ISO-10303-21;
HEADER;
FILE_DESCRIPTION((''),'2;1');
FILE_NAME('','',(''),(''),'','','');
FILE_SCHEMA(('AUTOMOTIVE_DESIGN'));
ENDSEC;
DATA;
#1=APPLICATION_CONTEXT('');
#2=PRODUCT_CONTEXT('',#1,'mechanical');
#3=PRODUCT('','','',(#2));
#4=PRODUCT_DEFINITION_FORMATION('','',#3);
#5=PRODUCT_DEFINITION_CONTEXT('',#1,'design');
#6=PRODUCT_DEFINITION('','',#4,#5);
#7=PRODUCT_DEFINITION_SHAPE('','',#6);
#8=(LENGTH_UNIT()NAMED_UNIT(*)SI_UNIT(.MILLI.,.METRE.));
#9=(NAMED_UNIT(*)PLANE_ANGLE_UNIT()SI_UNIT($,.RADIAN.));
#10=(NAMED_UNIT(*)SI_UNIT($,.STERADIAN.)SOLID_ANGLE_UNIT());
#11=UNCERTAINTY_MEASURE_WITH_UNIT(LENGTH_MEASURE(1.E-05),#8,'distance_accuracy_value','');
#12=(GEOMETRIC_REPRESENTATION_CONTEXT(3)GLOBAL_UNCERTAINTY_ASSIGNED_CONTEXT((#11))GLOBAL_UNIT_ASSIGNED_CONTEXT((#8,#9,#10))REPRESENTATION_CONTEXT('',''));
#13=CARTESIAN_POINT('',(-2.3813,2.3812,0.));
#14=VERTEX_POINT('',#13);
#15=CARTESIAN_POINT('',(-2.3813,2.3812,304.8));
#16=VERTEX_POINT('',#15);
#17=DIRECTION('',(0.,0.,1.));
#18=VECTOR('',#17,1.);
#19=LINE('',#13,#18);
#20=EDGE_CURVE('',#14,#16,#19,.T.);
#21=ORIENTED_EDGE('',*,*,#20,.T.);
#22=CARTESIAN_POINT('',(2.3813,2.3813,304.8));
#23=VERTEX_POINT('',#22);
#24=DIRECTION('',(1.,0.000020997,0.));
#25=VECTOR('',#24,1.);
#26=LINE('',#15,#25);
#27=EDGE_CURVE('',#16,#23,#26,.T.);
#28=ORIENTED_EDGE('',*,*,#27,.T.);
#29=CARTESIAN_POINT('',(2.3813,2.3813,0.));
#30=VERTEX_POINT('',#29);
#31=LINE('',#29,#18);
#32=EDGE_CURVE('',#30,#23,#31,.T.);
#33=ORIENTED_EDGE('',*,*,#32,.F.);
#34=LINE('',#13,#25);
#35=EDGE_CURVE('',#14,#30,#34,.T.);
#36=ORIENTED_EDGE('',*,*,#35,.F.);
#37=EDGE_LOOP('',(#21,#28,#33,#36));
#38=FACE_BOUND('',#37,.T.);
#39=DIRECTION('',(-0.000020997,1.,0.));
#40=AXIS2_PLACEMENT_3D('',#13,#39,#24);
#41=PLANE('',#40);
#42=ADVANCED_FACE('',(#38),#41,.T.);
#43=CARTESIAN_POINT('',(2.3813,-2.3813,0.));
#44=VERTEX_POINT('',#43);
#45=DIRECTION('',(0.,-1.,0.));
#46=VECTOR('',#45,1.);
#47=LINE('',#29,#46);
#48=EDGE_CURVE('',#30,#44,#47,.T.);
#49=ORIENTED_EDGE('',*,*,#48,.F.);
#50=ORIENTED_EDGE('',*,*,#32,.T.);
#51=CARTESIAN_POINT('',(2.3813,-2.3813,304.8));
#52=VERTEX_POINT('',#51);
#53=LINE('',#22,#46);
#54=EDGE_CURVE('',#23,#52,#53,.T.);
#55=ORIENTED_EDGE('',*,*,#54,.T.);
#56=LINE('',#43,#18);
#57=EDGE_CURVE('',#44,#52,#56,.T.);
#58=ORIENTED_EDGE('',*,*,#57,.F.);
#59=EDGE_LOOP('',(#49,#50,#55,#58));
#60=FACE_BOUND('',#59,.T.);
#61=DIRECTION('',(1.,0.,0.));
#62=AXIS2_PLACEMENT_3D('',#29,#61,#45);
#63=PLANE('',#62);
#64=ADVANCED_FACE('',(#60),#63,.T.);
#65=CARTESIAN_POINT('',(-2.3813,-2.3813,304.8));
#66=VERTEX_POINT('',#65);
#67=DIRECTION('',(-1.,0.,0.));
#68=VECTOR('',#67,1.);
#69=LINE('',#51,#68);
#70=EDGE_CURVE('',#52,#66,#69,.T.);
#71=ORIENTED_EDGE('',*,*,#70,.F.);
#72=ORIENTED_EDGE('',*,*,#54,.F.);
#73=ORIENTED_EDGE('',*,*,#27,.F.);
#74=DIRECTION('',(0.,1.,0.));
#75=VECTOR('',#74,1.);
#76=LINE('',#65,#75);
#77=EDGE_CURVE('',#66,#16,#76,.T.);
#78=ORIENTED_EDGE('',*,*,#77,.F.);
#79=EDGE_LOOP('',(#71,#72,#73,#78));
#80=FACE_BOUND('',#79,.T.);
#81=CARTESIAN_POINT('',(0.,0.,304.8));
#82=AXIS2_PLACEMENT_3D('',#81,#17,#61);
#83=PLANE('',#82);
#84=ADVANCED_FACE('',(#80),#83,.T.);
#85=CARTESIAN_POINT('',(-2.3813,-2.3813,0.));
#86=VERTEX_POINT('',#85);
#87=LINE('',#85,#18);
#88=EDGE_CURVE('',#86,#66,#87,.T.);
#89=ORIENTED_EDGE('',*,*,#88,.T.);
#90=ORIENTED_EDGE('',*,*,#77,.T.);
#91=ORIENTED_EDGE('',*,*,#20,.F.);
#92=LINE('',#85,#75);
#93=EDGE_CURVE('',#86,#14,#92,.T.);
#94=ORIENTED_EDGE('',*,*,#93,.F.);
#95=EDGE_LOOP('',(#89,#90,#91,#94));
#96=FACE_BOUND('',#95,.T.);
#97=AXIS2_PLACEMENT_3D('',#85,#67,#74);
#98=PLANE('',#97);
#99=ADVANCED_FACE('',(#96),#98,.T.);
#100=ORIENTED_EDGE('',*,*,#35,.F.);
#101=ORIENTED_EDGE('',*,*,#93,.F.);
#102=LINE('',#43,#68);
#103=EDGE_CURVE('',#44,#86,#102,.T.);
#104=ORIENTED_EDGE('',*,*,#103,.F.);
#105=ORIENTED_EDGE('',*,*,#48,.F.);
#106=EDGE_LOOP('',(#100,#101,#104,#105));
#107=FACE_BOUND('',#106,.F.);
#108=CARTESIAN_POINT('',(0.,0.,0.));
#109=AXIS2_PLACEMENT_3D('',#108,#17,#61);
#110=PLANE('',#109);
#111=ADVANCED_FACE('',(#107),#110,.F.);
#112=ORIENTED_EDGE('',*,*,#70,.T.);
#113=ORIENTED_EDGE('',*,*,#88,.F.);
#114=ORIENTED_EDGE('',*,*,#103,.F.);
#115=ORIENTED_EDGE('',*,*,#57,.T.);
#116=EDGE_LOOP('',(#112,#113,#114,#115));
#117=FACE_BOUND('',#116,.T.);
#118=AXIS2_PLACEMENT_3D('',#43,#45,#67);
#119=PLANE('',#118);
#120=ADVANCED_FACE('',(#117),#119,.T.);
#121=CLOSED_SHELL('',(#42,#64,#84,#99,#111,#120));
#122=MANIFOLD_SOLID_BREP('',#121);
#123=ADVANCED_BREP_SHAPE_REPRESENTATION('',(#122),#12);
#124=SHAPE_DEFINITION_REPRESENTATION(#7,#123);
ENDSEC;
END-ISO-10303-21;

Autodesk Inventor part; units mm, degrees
ref_plane "YZ Plane" through (0, 0, 0) normal (1, 0, 0) x (0, 1, 0)
ref_plane "XZ Plane" through (0, 0, 0) normal (0, 1, 0) x (-1, 0, 0)
ref_plane "XY Plane" through (0, 0, 0) normal (0, 0, 1) x (1, 0, 0)
sketch "Sketch1" plane through (0, 0, 0) normal (0, 0, 1) x (1, 0, 0)
  line L0 (2.3813, -2.3813) -> (-2.3813, -2.3813)
  line L1 (-2.3813, -2.3813) -> (-2.3813, 2.3812)
  line L2 (-2.3813, 2.3812) -> (2.3813, 2.3813)
  line L3 (2.3813, 2.3813) -> (2.3813, -2.3813)
  line L4 (2.3813, -2.3813) -> (-2.3813, 2.3812) construction
  line L5 (-2.3813, -2.3813) -> (2.3813, 2.3813) construction
  point P0 (0, 0)
  dimension "d0" = 4.7625
  dimension "d1" = 4.7625
extrude "Extrusion1" add sketch "Sketch1" along normal blind 304.8
equation "\"d1\" = d0"
properties part number "stock"
